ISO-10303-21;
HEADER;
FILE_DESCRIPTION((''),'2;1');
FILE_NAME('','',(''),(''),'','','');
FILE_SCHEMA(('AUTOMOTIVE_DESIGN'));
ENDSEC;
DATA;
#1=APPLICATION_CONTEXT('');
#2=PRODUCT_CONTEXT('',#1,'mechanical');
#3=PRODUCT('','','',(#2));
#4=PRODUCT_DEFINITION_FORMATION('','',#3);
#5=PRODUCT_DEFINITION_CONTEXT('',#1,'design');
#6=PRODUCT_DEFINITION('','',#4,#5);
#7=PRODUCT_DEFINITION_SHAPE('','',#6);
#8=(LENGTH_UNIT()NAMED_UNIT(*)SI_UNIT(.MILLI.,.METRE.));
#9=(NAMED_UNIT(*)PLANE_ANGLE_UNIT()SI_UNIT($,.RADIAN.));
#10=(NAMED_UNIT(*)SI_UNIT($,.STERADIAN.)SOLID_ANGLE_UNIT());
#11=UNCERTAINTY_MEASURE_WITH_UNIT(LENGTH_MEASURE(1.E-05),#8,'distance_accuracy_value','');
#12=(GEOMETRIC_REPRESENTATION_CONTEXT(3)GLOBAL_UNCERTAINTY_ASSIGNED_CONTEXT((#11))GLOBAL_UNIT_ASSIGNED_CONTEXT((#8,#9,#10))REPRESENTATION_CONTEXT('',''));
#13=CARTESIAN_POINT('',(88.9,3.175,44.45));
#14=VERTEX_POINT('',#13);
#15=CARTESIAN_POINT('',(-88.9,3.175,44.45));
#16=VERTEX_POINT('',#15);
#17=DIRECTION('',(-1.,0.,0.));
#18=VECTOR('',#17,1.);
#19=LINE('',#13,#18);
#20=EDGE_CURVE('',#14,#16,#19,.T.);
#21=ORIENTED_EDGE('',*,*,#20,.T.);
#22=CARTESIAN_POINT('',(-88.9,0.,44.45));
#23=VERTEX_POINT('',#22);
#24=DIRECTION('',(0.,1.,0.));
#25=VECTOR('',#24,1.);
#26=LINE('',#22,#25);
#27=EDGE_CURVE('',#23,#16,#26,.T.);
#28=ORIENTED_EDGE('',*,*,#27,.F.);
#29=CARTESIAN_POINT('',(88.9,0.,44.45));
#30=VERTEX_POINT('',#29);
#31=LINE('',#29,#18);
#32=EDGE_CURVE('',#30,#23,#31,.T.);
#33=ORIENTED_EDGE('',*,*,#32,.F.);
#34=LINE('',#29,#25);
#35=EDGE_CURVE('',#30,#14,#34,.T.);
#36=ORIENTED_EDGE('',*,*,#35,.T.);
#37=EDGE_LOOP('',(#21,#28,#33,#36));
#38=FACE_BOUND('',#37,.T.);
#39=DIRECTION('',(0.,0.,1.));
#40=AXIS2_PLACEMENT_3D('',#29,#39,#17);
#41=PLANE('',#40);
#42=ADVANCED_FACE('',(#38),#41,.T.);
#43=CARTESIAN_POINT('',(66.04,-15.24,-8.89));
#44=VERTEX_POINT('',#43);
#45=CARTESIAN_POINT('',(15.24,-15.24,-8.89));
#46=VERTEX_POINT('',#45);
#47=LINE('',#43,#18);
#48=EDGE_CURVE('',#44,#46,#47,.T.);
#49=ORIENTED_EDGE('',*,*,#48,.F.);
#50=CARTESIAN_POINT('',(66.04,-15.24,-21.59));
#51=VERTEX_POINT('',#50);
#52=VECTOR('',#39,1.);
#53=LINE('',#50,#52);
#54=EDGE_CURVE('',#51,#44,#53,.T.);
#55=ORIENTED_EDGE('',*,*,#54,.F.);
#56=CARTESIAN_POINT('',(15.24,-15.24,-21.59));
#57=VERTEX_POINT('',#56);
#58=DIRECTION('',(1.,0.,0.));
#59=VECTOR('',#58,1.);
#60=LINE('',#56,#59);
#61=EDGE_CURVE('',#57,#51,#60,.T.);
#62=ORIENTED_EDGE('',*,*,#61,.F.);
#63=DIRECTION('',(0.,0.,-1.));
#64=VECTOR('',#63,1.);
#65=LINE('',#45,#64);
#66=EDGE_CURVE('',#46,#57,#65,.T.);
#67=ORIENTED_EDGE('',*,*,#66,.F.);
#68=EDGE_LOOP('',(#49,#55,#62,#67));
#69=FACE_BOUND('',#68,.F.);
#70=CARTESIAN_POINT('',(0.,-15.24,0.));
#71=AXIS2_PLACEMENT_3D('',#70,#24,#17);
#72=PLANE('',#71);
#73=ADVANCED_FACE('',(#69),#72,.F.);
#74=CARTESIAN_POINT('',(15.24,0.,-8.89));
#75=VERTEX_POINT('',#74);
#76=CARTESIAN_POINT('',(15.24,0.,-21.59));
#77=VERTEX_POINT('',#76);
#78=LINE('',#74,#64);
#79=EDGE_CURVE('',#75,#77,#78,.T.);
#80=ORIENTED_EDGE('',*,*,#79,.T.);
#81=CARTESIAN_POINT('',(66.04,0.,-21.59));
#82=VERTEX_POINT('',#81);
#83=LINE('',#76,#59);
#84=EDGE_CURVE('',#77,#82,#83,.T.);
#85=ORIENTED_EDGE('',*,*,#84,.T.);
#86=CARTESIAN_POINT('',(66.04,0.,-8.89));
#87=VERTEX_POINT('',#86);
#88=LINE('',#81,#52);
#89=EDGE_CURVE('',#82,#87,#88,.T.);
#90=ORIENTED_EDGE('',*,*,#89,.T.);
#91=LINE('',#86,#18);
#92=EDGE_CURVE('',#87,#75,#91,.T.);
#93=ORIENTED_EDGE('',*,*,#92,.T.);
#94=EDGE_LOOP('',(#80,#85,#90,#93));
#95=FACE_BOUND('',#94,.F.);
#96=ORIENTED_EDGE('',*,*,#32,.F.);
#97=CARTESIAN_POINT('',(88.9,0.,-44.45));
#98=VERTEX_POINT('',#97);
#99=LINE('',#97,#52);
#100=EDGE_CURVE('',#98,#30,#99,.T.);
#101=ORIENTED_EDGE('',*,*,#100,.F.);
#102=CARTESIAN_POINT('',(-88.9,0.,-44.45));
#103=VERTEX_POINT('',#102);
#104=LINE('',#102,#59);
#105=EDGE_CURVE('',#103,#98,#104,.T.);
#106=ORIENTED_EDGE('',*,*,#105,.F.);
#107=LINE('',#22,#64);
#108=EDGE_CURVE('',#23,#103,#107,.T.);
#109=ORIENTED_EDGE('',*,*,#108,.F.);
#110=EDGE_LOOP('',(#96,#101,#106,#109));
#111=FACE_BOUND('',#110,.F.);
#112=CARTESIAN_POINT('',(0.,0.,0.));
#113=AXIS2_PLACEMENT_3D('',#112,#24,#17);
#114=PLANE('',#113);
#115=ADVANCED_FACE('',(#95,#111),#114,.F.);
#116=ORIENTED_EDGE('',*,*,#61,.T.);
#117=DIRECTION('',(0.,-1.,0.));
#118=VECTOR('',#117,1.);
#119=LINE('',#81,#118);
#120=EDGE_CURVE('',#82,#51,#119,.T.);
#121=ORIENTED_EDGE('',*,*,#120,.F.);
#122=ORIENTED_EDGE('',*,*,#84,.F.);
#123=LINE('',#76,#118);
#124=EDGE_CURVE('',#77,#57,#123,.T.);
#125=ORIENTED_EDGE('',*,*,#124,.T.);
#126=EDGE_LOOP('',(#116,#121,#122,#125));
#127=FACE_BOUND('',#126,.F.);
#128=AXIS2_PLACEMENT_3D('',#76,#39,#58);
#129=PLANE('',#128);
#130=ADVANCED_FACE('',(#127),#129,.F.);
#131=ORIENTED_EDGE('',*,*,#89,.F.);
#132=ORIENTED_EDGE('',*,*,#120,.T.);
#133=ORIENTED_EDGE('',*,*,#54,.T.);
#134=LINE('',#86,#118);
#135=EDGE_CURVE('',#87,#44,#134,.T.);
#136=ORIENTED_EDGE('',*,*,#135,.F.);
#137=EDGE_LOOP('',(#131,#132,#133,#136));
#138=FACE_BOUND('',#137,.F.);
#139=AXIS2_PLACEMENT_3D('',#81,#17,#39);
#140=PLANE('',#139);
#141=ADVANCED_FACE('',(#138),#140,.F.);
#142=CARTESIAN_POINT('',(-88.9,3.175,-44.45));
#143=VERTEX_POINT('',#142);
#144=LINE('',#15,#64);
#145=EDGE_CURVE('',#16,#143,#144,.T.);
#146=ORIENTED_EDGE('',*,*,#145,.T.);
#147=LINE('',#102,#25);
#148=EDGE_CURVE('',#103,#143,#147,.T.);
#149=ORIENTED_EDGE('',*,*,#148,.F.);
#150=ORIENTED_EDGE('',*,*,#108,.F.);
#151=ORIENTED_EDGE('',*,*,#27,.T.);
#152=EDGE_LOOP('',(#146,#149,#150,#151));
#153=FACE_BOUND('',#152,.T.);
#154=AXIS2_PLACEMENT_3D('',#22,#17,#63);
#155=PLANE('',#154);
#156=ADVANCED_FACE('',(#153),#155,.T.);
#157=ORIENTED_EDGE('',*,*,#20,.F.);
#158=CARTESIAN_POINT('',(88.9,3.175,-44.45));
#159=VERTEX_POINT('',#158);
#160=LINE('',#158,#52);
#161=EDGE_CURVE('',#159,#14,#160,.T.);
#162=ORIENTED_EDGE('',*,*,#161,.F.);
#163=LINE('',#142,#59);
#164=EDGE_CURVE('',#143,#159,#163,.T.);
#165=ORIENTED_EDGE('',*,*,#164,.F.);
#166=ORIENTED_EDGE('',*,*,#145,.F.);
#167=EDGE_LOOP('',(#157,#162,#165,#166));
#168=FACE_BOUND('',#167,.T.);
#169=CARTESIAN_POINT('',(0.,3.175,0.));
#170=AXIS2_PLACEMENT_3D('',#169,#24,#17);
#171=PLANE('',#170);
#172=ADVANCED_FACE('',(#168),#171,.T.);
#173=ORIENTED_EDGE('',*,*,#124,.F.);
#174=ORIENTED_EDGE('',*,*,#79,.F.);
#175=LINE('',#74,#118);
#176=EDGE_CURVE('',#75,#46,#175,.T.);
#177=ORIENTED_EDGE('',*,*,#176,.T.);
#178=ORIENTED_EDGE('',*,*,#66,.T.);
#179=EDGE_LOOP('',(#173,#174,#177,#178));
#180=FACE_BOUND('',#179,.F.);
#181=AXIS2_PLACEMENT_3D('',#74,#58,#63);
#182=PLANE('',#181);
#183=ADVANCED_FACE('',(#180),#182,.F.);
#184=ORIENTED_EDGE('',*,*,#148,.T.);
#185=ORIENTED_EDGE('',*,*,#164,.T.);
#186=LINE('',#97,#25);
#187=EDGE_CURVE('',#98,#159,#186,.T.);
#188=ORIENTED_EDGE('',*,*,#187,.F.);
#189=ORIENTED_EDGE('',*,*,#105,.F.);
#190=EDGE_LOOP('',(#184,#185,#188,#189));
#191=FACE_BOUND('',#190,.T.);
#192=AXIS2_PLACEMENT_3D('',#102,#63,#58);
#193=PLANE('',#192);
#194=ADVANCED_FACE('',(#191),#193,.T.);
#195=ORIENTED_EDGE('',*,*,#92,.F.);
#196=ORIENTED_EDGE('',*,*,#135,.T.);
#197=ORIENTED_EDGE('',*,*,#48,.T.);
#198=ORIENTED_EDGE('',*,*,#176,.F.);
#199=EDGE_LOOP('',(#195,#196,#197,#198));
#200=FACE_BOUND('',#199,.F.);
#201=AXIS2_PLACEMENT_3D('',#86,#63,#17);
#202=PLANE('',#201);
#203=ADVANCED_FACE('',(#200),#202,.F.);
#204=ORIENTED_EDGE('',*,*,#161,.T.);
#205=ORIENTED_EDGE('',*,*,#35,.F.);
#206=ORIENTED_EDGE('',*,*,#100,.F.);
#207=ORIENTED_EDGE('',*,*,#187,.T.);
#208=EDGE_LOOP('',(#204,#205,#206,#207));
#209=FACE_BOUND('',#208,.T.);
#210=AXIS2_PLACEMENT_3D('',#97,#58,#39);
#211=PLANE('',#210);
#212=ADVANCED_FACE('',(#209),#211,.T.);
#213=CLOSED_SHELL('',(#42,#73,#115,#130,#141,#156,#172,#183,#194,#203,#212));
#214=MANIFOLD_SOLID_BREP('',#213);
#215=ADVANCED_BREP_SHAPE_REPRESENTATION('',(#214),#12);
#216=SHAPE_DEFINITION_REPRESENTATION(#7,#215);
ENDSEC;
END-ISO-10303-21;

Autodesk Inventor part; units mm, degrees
ref_plane "YZ Plane" through (0, 0, 0) normal (1, 0, 0) x (0, 1, 0)
ref_plane "XZ Plane" through (0, 0, 0) normal (0, 1, 0) x (-1, 0, 0)
ref_plane "XY Plane" through (0, 0, 0) normal (0, 0, 1) x (1, 0, 0)
sketch "Sketch1" plane through (0, 0, 0) normal (0, 1, 0) x (-1, 0, 0)
  line L0 (-88.9, 44.45) -> (88.9, 44.45)
  line L1 (88.9, 44.45) -> (88.9, -44.45)
  line L2 (88.9, -44.45) -> (-88.9, -44.45)
  line L3 (-88.9, -44.45) -> (-88.9, 44.45)
  line L4 (-88.9, 44.45) -> (88.9, -44.45) construction
  line L5 (88.9, 44.45) -> (-88.9, -44.45) construction
  line L6 (-66.04, -8.89) -> (-15.24, -8.89)
  line L7 (-15.24, -8.89) -> (-15.24, -21.59)
  line L8 (-15.24, -21.59) -> (-66.04, -21.59)
  line L9 (-66.04, -21.59) -> (-66.04, -8.89)
  line L10 (-66.04, -8.89) -> (-15.24, -21.59) construction
  line L11 (-15.24, -8.89) -> (-66.04, -21.59) construction
  point P0 (0, 0)
  point P1 (-40.64, -15.24)
  dimension "d0" = 177.8
  dimension "d1" = 88.9
  dimension "d2" = 22.86
  dimension "d3" = 22.86
  dimension "d4" = 12.7
  dimension "d5" = 50.8
extrude "Extrusion1" add sketch "Sketch1" along normal blind 3.175 contours L0 L1 L2 L3 | L6 L7 L8 L9
extrude "Extrusion2" add sketch "Sketch1" against normal blind 15.24 contours L6 L7 L8 L9
sketch "Sketch2" plane through (0, 0, 0) normal (0, -1, 0) x (1, 0, 0)
  circle A0 centre (-79.375, 34.925) radius 3.175
  circle A1 centre (-79.375, -34.925) radius 3.175
  circle A2 centre (79.375, 34.925) radius 3.175
  circle A3 centre (79.375, -34.925) radius 3.175
  line L0 (88.9, 44.45) -> (-88.9, 44.45) projected
  line L1 (-88.9, 44.45) -> (-88.9, -44.45) projected
  line L2 (-88.9, -44.45) -> (88.9, -44.45) projected
  line L3 (88.9, -44.45) -> (88.9, 44.45) projected
  point P0 (0, 0)
  dimension "d11" = 9.525
  dimension "d13" = 9.525
  dimension "d14" = 6.35
  dimension "d15" = 9.525
  dimension "d16" = 9.525
equation "\"d11\" = d10"
equation "\"d13\" = d12"
equation "\"d15\" = d11"
equation "\"d16\" = d13"
equation "\"d12\" = d11"
equation "\"d10\" = 9.525"
properties part number "BackCover"
